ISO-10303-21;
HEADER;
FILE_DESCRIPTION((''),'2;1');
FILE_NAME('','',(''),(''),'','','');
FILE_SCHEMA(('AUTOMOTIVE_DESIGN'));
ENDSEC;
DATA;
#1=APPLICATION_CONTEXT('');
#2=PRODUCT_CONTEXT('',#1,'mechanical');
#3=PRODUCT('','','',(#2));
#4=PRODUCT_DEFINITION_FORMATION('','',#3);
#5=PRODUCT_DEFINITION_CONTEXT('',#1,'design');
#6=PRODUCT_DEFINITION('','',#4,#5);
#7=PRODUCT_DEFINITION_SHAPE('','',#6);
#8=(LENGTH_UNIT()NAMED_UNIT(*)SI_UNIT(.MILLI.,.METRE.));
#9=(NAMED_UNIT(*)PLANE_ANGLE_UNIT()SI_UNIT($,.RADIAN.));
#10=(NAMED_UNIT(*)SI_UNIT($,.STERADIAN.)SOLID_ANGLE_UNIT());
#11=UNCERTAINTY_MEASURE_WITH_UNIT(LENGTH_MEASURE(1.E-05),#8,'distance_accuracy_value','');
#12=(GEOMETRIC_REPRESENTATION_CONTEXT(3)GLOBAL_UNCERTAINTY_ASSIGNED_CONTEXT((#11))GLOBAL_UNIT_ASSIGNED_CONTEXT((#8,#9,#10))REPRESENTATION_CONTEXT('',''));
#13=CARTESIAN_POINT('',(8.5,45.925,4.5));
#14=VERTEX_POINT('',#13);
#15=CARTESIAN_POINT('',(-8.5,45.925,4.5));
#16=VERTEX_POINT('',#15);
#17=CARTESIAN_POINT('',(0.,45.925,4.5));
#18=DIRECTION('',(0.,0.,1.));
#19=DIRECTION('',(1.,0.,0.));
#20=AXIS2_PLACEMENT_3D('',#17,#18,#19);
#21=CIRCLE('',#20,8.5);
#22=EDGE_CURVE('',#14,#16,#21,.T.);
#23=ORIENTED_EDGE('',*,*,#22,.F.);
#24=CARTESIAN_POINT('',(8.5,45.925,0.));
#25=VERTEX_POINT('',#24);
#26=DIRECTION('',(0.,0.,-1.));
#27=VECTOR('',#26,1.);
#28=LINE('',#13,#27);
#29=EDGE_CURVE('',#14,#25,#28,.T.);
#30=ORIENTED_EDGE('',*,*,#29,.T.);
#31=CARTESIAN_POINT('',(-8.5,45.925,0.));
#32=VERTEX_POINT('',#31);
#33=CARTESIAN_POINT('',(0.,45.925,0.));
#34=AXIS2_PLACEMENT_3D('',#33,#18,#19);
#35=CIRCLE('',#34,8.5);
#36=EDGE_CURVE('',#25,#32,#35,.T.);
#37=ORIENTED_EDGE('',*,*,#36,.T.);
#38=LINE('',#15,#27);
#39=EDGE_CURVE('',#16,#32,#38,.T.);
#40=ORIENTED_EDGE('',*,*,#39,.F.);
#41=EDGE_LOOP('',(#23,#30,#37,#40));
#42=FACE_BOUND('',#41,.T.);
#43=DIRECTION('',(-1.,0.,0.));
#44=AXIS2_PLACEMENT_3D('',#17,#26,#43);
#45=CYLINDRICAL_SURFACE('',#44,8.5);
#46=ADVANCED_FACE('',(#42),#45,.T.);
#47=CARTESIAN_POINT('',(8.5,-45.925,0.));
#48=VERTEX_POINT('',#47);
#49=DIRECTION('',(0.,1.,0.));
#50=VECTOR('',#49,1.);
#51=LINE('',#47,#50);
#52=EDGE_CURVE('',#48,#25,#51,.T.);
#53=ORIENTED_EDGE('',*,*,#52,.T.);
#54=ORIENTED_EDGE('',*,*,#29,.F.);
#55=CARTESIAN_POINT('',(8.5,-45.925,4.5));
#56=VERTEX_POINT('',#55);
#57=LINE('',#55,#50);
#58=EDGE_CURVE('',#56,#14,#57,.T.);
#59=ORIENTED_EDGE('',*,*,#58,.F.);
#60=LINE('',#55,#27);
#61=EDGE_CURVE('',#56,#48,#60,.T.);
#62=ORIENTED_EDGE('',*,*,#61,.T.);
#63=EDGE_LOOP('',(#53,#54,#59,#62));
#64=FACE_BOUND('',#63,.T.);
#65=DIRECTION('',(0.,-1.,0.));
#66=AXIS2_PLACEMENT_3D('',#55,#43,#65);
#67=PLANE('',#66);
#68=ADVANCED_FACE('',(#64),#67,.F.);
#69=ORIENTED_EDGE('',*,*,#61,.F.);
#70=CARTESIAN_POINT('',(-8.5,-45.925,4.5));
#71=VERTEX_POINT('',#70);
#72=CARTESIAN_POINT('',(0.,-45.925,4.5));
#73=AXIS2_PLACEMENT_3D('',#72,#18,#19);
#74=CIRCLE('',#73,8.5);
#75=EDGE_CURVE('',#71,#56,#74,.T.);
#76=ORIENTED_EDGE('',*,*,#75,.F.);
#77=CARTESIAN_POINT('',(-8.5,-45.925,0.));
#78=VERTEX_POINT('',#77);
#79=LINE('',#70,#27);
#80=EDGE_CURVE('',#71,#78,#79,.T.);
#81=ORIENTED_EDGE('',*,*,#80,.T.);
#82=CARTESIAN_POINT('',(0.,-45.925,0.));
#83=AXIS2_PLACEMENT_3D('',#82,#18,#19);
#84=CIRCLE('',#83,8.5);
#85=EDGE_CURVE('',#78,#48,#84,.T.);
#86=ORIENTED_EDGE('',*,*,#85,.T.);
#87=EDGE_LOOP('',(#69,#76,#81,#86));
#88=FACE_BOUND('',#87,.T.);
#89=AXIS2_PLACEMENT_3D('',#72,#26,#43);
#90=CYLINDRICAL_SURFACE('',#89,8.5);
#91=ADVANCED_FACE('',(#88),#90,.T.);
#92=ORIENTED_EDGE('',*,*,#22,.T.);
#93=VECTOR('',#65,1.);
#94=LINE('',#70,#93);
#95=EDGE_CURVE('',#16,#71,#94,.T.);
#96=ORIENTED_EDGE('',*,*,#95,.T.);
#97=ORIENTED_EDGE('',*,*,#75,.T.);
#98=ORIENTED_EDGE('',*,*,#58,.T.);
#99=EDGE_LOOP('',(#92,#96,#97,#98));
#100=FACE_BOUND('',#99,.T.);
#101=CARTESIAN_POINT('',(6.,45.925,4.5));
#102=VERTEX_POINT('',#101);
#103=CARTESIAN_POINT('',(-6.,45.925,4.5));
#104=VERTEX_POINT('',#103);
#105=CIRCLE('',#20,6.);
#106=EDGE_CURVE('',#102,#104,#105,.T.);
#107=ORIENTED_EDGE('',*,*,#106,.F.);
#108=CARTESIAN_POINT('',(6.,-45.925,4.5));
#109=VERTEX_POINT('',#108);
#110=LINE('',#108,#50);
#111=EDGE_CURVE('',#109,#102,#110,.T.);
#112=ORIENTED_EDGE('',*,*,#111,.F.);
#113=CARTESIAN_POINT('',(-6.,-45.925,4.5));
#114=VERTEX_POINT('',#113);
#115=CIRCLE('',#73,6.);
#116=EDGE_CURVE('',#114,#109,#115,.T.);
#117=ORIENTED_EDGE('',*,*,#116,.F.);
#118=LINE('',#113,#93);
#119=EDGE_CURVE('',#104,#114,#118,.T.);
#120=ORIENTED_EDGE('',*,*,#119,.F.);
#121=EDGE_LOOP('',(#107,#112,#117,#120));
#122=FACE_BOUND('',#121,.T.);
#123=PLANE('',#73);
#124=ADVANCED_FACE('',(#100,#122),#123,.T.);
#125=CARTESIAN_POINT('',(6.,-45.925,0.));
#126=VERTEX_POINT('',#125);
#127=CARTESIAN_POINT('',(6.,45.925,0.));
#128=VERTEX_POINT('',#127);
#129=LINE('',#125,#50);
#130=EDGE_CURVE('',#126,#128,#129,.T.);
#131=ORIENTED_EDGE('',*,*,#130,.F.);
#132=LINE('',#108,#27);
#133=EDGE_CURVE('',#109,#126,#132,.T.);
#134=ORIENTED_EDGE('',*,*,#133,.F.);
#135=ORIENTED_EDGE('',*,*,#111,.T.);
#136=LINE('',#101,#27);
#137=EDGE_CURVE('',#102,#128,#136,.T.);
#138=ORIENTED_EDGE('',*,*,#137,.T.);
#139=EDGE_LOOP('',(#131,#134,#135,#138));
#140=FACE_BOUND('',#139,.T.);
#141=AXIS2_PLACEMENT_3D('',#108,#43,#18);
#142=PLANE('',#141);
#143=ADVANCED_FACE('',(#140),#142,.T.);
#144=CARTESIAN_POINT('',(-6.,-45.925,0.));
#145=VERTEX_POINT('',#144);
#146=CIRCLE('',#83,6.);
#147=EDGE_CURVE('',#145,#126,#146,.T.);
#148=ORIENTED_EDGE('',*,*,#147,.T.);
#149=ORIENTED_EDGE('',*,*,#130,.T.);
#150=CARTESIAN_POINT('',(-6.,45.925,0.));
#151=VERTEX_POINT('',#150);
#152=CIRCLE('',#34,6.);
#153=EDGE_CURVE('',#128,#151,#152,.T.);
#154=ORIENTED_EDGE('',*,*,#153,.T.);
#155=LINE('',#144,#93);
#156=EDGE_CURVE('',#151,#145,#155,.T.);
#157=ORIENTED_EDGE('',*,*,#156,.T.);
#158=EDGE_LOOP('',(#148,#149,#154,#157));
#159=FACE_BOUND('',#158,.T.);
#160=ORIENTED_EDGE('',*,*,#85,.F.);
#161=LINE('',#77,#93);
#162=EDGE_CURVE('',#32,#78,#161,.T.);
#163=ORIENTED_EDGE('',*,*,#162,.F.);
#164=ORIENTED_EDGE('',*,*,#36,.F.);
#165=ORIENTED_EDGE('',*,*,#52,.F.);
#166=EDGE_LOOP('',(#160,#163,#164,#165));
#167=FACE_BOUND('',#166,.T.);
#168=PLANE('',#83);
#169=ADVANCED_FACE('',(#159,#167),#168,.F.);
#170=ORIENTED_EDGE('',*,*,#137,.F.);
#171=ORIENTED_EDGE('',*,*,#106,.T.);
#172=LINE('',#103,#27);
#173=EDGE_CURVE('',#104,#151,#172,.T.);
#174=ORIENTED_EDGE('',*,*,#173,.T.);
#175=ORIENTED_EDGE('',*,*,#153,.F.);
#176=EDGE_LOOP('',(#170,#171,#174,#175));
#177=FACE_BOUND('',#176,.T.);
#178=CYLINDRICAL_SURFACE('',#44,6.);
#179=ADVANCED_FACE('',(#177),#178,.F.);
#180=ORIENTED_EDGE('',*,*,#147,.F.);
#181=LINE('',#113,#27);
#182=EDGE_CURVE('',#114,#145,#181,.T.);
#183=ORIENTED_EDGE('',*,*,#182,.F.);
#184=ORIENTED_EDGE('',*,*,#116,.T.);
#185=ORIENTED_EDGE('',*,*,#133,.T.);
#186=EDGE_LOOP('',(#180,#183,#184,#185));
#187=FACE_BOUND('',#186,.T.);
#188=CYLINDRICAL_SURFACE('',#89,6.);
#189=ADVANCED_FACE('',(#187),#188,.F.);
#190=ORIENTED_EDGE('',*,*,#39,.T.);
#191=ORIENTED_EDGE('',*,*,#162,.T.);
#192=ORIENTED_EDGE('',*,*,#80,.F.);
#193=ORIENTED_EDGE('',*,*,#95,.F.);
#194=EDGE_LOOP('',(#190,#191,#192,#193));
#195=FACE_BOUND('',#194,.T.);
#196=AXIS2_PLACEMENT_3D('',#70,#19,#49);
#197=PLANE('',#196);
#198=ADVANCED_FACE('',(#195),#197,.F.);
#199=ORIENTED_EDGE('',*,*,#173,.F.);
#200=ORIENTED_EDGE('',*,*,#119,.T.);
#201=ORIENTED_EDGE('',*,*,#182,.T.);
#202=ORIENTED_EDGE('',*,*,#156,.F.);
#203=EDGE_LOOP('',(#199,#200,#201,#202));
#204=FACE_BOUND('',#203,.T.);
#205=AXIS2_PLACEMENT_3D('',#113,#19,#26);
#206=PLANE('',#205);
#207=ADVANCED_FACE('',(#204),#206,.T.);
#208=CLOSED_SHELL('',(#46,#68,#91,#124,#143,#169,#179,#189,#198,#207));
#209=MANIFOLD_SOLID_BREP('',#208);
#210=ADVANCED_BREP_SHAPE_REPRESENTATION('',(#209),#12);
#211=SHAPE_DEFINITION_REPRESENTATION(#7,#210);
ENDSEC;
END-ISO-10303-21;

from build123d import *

# Parameters (mm, degrees)
EXTRUDE_1_DEPTH = 4.5


with BuildPart() as part:
    # Эскиз1 → Бобышка-Вытянуть1 (new body)
    with BuildSketch(Plane.XY):
        with BuildLine():
            Line((-8.5, -45.925), (-8.5, 45.925))
            ThreePointArc((-8.5, 45.925), (0, 54.425), (8.5, 45.925))
            Line((8.5, 45.925), (8.5, -45.925))
            ThreePointArc((8.5, -45.925), (0, -54.425), (-8.5, -45.925))
        make_face()
        with BuildLine():
            Line((-6, -45.925), (-6, 45.925))
            ThreePointArc((-6, 45.925), (0, 51.925), (6, 45.925))
            Line((6, 45.925), (6, -45.925))
            ThreePointArc((6, -45.925), (0, -51.925), (-6, -45.925))
        make_face(mode=Mode.SUBTRACT)
    extrude(amount=EXTRUDE_1_DEPTH)


solid = part.part
